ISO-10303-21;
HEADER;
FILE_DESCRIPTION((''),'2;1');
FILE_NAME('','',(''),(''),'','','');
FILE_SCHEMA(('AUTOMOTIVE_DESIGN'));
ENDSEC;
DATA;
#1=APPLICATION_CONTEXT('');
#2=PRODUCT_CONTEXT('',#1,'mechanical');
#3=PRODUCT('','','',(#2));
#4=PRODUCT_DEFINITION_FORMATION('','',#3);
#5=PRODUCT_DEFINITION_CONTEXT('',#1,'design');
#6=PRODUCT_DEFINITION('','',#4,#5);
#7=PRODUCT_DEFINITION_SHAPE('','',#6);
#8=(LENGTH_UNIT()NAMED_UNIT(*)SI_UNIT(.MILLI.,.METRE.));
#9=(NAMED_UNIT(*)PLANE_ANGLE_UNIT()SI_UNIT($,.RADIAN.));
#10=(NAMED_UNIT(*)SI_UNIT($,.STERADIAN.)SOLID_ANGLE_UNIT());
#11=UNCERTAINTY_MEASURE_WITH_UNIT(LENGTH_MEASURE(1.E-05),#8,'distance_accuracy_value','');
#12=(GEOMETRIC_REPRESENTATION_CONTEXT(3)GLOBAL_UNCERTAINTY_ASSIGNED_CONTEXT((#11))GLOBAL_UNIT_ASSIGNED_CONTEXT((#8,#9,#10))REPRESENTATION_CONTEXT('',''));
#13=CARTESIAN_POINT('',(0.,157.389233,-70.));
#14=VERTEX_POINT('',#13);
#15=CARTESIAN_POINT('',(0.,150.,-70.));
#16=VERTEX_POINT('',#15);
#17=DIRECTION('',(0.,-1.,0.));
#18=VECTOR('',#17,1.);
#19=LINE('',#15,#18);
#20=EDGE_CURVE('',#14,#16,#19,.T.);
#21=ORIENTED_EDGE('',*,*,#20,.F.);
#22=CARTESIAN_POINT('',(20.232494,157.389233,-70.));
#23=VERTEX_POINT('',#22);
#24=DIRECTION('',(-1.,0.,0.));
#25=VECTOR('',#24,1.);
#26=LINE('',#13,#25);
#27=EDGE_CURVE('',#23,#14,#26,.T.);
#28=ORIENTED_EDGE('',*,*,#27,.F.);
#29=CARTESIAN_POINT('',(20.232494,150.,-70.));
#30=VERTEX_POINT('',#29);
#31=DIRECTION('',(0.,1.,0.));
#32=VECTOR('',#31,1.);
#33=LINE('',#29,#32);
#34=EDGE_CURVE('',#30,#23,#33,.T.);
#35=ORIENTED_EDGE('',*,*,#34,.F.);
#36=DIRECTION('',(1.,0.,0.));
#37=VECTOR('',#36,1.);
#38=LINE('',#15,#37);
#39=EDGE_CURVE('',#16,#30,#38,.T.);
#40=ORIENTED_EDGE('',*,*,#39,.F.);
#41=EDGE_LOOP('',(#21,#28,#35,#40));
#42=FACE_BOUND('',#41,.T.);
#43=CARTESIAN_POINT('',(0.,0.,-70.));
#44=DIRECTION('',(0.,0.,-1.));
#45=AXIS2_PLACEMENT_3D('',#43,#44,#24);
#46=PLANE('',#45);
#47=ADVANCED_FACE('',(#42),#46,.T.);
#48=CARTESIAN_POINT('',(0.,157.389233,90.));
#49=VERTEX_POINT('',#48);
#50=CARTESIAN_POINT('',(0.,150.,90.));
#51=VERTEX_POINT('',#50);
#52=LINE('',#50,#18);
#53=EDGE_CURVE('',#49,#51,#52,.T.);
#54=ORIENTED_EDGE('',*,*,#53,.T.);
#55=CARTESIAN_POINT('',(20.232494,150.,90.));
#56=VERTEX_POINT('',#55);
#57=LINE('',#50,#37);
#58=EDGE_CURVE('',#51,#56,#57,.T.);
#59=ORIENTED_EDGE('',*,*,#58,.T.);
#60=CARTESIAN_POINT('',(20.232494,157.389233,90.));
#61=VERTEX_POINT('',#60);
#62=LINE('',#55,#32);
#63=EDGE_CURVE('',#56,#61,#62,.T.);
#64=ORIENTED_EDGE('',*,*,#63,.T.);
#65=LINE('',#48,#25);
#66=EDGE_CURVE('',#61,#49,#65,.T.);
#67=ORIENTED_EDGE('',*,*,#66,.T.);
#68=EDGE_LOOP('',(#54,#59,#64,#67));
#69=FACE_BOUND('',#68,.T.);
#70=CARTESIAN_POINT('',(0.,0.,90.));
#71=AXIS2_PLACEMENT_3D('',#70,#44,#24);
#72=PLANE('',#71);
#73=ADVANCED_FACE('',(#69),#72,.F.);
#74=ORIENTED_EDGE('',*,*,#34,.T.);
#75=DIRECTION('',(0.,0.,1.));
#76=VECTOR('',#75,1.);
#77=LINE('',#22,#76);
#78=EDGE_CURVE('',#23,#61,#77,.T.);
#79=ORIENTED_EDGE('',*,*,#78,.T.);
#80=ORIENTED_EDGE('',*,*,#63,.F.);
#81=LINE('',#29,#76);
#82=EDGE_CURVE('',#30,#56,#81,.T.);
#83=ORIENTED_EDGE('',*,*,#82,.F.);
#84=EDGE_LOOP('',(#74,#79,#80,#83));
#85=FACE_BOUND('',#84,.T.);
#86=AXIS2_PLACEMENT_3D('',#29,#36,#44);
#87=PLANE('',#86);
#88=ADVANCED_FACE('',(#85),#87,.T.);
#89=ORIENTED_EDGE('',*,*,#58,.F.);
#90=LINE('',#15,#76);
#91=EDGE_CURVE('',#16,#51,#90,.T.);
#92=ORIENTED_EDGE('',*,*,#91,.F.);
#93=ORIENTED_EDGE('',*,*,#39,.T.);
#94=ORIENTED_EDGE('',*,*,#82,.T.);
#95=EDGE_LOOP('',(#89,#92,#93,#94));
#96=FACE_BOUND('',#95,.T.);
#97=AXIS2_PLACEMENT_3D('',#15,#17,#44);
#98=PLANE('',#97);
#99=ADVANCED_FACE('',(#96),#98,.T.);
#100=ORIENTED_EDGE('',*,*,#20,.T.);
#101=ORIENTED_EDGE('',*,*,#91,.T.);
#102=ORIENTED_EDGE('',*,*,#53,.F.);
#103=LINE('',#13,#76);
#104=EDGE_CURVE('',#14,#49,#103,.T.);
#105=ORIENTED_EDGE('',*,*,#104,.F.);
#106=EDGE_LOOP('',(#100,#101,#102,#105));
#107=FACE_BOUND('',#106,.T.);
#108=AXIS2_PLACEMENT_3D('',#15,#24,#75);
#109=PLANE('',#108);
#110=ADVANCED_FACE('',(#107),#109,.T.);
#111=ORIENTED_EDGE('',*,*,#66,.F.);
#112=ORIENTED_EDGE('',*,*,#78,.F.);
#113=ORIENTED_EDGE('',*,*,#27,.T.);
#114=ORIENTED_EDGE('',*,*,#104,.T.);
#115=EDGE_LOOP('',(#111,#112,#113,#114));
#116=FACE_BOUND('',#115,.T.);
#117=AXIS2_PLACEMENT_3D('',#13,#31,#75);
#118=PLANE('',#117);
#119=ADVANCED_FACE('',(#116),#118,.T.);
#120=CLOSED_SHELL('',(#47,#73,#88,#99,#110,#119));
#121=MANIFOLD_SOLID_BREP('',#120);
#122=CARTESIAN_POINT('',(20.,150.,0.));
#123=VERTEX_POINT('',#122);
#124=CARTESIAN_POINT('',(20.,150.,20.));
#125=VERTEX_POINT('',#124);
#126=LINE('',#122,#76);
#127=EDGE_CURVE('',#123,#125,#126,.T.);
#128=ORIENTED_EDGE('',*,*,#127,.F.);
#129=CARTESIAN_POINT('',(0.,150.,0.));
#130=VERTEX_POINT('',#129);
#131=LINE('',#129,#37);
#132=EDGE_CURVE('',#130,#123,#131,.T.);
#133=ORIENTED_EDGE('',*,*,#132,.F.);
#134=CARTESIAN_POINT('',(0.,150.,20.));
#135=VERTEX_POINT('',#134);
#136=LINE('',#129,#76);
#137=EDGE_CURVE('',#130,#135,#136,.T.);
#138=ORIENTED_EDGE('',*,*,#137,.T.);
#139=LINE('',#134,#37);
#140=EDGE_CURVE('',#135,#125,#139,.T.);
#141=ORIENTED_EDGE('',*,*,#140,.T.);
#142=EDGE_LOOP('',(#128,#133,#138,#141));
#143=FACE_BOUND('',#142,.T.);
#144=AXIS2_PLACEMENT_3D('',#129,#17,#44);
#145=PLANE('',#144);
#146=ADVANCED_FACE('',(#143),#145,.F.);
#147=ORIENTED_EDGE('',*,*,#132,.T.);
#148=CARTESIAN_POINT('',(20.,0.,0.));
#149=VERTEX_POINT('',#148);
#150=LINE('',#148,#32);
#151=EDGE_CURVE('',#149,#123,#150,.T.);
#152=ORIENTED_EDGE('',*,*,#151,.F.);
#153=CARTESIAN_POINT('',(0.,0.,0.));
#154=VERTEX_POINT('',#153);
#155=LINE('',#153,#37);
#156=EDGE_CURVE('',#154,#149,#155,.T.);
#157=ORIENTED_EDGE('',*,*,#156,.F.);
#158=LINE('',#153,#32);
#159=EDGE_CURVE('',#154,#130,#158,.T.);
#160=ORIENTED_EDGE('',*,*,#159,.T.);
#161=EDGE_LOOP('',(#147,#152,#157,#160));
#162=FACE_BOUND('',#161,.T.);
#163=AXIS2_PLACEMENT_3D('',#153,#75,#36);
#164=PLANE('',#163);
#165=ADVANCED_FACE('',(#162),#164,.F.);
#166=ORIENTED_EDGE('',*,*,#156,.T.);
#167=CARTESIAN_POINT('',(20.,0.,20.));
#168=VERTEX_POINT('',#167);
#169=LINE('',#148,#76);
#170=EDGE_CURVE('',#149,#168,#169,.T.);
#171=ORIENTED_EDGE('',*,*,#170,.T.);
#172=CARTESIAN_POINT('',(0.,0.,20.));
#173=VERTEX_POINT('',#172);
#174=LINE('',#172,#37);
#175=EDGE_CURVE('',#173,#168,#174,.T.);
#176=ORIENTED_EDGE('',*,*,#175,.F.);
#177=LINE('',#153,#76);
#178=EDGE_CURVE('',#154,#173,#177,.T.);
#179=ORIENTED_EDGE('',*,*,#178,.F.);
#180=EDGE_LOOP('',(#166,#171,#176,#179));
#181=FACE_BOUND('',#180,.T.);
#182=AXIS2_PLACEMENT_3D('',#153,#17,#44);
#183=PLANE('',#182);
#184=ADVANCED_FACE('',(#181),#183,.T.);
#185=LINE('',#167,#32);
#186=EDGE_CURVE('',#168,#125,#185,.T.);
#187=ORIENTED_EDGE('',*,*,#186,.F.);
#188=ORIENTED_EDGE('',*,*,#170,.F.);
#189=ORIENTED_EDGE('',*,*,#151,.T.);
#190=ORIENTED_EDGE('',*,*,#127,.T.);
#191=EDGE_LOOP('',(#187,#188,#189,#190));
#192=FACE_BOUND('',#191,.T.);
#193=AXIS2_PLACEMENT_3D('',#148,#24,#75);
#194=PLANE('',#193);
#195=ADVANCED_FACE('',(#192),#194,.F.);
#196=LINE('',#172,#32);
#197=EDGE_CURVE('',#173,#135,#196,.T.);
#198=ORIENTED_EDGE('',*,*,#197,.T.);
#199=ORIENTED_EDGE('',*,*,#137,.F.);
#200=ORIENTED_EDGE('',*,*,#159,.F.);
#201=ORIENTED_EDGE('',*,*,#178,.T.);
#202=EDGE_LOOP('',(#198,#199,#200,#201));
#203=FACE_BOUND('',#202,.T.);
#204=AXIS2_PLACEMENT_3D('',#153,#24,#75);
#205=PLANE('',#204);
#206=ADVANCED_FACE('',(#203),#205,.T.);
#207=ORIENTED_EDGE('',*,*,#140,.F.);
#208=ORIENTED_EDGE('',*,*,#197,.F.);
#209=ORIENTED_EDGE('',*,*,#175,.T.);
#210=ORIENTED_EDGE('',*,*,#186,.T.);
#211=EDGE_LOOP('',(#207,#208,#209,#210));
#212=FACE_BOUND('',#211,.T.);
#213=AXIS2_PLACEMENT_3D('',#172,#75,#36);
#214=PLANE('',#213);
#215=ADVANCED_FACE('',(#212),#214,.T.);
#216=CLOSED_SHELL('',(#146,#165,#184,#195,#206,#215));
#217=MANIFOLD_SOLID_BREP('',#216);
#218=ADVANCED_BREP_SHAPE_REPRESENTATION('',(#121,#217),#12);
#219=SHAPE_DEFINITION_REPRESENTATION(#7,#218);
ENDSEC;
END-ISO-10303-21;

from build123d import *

# Parameters (mm, degrees)
EXTRUDE_1_DEPTH      = 150
EXTRUDE_2_DEPTH      = 70
EXTRUDE_2_DEPTH_BACK = 90
SKETCH_7_W           = 20.232494165
SKETCH_7_H           = 7.389232753


with BuildPart() as part:
    # Sketch 3D_1 → 凸台-拉伸1 (new body)
    with BuildSketch(Plane(origin=(0, 0, 0), x_dir=(0.7071067811865476, 0, 0.7071067811865476), z_dir=(0, 1, 0))):
        Polygon((0, 0), (14.142135624, 14.142135624), (28.284271247, 0), (14.142135624, -14.142135624), align=None)
    extrude(amount=EXTRUDE_1_DEPTH)


with BuildPart() as body_2:
    # 草图7 → 凸台-拉伸2 (new, two sides: drawn at the far end of the back side and taken through both)
    with BuildSketch(Plane.XY.offset(20).offset(-EXTRUDE_2_DEPTH_BACK)):
        with Locations((10.116247083, 153.694616376)):
            Rectangle(SKETCH_7_W, SKETCH_7_H)
    extrude(amount=EXTRUDE_2_DEPTH + EXTRUDE_2_DEPTH_BACK)


solid = Compound([part.part, body_2.part])
